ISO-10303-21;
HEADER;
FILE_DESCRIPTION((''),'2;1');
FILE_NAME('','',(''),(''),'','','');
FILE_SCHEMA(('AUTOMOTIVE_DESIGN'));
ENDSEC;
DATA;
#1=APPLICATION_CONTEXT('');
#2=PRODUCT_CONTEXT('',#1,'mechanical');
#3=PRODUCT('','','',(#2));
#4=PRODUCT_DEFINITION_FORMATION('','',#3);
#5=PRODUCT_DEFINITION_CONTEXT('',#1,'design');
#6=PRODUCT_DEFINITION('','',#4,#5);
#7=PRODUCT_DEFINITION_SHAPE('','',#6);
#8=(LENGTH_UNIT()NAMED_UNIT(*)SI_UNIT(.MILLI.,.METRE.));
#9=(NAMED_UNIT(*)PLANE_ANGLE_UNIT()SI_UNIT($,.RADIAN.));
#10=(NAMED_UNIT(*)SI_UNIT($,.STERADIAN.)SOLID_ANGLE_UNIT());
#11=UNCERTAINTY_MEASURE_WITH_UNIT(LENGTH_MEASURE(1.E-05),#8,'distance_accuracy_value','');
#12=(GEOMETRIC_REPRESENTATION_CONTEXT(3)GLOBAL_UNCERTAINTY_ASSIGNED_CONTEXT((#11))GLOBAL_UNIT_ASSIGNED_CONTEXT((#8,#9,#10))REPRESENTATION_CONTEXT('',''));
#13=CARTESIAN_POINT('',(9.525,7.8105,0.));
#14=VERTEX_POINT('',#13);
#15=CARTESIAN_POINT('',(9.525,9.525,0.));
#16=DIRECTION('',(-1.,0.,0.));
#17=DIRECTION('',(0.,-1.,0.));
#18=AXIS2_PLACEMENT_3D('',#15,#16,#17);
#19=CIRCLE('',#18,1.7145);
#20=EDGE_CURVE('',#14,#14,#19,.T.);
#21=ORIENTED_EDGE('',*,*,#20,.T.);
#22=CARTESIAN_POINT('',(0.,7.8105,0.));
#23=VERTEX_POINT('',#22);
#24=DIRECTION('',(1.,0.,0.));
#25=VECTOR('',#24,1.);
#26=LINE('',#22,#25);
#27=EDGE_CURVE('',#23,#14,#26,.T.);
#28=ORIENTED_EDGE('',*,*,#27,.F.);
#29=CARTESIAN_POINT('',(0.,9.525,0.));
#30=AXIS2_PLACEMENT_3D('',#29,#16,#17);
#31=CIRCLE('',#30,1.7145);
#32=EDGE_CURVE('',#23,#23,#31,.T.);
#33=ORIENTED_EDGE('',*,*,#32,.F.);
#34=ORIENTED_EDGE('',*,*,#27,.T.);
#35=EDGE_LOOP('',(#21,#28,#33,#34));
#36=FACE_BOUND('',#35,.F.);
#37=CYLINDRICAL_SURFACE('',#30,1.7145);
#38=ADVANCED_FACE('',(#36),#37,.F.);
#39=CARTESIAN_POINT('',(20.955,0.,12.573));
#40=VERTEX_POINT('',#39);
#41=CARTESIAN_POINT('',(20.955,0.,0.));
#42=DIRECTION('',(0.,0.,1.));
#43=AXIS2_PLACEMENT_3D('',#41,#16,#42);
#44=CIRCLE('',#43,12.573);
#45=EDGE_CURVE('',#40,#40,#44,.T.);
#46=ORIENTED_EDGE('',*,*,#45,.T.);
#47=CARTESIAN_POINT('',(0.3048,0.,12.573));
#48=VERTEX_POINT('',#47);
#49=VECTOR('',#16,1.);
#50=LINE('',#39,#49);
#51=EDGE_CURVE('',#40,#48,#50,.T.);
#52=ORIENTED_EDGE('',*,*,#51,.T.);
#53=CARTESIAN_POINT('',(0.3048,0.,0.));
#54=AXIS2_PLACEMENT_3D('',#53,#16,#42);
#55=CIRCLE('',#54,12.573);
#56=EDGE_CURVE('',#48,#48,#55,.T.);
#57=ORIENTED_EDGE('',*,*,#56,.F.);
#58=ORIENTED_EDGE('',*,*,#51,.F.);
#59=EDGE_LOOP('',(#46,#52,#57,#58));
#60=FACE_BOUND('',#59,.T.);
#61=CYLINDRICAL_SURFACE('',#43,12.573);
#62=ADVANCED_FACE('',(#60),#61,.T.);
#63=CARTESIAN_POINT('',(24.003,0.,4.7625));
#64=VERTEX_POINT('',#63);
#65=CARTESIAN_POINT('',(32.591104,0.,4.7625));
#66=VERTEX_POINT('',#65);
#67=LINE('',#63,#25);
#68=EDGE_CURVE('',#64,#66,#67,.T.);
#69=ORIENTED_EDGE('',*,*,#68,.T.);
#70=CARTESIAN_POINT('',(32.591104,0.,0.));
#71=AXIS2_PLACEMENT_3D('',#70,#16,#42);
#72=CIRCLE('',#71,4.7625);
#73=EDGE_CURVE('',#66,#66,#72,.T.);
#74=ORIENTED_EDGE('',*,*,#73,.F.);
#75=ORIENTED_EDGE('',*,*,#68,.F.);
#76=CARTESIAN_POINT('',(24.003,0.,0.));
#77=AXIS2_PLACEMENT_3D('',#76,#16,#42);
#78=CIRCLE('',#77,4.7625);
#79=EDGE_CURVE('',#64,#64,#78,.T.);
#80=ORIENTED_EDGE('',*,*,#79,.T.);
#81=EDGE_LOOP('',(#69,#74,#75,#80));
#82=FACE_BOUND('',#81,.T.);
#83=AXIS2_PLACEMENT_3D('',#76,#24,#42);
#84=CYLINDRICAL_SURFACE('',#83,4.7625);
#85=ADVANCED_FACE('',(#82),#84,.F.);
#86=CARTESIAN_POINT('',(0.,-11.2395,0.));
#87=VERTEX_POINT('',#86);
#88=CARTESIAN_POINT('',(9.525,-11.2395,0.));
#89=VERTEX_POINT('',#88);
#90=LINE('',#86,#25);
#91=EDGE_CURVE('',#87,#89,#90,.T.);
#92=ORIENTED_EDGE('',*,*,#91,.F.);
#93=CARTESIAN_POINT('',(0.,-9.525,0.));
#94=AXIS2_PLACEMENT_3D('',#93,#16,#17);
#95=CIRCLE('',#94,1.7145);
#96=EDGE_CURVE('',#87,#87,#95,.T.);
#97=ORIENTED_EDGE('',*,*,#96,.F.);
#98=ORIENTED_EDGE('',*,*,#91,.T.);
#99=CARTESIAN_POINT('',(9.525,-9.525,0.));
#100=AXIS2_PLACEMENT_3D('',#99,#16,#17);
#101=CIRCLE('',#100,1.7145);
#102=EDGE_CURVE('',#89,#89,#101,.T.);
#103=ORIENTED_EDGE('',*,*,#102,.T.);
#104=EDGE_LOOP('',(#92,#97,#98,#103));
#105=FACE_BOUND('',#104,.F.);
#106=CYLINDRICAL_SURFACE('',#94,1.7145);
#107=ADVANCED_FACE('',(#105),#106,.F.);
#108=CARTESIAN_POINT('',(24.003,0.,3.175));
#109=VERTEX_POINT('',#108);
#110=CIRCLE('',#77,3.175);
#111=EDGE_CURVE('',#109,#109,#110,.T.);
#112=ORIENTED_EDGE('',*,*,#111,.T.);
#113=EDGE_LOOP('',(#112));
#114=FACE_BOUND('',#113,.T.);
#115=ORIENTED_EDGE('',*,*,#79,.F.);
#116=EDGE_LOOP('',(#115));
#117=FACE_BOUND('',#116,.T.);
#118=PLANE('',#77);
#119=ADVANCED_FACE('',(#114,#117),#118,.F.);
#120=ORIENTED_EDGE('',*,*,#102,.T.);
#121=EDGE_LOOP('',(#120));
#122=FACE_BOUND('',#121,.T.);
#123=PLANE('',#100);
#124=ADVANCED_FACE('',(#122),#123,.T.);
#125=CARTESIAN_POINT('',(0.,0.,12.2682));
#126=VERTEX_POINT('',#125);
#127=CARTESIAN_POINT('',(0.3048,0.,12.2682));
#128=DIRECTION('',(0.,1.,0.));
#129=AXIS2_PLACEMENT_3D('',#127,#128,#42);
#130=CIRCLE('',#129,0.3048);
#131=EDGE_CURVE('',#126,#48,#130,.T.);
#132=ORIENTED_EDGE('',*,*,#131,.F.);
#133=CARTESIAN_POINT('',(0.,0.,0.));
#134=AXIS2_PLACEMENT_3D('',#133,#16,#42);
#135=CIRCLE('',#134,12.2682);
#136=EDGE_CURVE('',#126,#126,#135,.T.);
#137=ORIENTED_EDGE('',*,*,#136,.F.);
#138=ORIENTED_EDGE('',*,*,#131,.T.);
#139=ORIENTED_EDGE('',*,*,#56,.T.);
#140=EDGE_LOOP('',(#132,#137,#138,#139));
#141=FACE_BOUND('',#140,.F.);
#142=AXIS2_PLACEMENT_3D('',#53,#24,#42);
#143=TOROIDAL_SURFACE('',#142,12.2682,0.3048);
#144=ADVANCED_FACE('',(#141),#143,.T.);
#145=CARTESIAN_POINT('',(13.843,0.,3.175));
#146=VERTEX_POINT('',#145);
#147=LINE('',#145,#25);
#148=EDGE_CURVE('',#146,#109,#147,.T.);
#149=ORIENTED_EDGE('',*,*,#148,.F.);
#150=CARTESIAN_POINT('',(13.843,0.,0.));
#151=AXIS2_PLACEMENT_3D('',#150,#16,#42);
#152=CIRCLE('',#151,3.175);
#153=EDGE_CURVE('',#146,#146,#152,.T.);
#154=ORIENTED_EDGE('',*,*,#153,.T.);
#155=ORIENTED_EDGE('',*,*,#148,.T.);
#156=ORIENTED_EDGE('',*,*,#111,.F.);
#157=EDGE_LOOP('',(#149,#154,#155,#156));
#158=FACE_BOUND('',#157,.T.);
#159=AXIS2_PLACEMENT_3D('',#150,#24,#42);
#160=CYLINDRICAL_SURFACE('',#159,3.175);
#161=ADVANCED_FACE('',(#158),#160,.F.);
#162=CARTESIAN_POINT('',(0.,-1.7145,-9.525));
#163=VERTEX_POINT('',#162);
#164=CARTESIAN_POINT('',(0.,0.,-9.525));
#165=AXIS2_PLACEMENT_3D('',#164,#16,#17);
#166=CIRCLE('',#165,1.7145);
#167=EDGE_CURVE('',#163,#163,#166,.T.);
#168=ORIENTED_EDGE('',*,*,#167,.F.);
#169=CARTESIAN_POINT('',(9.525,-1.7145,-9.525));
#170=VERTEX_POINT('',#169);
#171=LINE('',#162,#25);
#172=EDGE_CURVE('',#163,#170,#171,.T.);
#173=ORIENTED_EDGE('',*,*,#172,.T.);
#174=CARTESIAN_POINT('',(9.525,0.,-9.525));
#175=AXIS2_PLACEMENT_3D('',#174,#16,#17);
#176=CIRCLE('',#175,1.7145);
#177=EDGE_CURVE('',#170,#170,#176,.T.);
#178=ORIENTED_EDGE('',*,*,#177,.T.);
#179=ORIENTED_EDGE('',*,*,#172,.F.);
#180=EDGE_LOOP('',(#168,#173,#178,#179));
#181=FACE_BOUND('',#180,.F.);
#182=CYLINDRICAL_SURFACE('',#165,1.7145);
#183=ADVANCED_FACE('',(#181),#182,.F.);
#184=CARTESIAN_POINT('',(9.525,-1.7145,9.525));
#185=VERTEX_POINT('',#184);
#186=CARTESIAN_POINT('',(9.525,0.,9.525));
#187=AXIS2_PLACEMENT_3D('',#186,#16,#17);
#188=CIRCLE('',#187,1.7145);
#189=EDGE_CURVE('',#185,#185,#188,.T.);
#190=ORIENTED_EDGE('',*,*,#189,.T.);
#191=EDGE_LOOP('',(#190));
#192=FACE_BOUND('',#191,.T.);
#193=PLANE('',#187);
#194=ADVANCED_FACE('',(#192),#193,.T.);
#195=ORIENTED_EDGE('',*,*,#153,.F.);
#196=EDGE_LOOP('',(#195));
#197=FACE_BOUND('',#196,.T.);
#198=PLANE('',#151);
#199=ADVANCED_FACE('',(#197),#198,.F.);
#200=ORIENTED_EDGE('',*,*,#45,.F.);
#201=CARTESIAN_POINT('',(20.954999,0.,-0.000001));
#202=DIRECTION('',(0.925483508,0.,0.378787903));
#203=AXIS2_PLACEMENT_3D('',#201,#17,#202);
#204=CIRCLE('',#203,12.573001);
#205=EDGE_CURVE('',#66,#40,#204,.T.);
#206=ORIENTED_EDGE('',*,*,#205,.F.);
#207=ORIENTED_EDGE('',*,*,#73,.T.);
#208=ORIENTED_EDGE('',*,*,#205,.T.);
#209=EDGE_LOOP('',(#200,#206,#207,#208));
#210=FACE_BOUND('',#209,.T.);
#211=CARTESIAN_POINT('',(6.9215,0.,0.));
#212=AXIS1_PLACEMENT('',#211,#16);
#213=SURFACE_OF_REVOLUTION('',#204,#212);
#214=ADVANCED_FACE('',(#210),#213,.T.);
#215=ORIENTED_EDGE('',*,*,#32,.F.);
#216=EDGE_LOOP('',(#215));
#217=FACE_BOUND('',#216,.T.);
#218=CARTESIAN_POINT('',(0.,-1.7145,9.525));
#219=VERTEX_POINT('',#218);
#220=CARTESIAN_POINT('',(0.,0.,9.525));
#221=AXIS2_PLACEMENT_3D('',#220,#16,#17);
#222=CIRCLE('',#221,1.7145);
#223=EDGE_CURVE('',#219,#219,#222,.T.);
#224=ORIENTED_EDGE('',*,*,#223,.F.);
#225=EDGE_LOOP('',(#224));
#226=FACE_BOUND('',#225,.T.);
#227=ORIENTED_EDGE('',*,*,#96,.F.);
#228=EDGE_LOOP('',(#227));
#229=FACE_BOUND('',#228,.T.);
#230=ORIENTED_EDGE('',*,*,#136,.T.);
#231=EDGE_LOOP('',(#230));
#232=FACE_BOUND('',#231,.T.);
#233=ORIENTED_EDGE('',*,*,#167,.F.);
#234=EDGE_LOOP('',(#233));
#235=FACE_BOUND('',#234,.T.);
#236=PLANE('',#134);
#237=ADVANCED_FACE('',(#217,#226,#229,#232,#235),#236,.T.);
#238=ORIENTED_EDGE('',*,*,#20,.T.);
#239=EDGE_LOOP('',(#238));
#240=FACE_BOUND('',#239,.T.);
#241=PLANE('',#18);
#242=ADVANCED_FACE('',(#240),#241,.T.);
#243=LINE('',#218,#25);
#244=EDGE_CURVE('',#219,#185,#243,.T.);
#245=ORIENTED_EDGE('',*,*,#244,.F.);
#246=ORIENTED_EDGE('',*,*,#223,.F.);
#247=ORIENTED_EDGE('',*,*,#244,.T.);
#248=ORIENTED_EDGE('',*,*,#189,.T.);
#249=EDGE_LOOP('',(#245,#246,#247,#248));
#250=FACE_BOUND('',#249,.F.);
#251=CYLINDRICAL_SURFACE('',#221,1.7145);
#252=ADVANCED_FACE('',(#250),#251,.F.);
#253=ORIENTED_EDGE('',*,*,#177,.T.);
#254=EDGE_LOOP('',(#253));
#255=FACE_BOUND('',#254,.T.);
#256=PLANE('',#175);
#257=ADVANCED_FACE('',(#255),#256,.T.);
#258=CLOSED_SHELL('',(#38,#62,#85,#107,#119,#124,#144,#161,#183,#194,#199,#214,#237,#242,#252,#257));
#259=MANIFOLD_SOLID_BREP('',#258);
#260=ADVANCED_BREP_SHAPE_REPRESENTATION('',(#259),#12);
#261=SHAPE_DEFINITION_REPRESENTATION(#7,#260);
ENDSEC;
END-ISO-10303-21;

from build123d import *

# Parameters (mm, degrees)
F2_R     = 1.7145
F3_DEPTH = 9.525
F4_R     = 0.3048


with BuildPart() as f1:
    # F0 (on Front) → F1 (revolve)
    with BuildSketch(Plane.XZ):
        with BuildLine():
            Line((0, 12.573), (0, 0))
            Line((0, 0), (13.843, 0))
            Line((13.843, 0), (13.843, 3.175))
            Line((13.843, 3.175), (24.003, 3.175))
            Line((24.003, 3.175), (24.003, 4.7625))
            Line((24.003, 4.7625), (32.591104, 4.7625))
            ThreePointArc((32.591104, 4.7625), (27.96219, 10.43933), (20.955, 12.573))
            Line((20.955, 12.573), (0, 12.573))
        make_face()
    revolve(axis=Axis((6.9215, 0, 0), (-1, 0, 0)))

    # F2 (on face) → F3 (cut)
    with BuildSketch(Plane(origin=(0, 0, 0), x_dir=(0, -1, 0), z_dir=(-1, 0, 0))):
        with Locations((0, 9.525)):
            Circle(F2_R)
        with Locations((-9.525, 0)):
            Circle(F2_R)
        with Locations((0, -9.525)):
            Circle(F2_R)
        with Locations((9.525, 0)):
            Circle(F2_R)
    extrude(amount=-F3_DEPTH, mode=Mode.SUBTRACT)

    # F4
    f4_edges = [f1.edges().sort_by_distance(p)[0] for p in [
        (0, 0, -12.573),
    ]]
    fillet(f4_edges, radius=F4_R)


solid = f1.part
